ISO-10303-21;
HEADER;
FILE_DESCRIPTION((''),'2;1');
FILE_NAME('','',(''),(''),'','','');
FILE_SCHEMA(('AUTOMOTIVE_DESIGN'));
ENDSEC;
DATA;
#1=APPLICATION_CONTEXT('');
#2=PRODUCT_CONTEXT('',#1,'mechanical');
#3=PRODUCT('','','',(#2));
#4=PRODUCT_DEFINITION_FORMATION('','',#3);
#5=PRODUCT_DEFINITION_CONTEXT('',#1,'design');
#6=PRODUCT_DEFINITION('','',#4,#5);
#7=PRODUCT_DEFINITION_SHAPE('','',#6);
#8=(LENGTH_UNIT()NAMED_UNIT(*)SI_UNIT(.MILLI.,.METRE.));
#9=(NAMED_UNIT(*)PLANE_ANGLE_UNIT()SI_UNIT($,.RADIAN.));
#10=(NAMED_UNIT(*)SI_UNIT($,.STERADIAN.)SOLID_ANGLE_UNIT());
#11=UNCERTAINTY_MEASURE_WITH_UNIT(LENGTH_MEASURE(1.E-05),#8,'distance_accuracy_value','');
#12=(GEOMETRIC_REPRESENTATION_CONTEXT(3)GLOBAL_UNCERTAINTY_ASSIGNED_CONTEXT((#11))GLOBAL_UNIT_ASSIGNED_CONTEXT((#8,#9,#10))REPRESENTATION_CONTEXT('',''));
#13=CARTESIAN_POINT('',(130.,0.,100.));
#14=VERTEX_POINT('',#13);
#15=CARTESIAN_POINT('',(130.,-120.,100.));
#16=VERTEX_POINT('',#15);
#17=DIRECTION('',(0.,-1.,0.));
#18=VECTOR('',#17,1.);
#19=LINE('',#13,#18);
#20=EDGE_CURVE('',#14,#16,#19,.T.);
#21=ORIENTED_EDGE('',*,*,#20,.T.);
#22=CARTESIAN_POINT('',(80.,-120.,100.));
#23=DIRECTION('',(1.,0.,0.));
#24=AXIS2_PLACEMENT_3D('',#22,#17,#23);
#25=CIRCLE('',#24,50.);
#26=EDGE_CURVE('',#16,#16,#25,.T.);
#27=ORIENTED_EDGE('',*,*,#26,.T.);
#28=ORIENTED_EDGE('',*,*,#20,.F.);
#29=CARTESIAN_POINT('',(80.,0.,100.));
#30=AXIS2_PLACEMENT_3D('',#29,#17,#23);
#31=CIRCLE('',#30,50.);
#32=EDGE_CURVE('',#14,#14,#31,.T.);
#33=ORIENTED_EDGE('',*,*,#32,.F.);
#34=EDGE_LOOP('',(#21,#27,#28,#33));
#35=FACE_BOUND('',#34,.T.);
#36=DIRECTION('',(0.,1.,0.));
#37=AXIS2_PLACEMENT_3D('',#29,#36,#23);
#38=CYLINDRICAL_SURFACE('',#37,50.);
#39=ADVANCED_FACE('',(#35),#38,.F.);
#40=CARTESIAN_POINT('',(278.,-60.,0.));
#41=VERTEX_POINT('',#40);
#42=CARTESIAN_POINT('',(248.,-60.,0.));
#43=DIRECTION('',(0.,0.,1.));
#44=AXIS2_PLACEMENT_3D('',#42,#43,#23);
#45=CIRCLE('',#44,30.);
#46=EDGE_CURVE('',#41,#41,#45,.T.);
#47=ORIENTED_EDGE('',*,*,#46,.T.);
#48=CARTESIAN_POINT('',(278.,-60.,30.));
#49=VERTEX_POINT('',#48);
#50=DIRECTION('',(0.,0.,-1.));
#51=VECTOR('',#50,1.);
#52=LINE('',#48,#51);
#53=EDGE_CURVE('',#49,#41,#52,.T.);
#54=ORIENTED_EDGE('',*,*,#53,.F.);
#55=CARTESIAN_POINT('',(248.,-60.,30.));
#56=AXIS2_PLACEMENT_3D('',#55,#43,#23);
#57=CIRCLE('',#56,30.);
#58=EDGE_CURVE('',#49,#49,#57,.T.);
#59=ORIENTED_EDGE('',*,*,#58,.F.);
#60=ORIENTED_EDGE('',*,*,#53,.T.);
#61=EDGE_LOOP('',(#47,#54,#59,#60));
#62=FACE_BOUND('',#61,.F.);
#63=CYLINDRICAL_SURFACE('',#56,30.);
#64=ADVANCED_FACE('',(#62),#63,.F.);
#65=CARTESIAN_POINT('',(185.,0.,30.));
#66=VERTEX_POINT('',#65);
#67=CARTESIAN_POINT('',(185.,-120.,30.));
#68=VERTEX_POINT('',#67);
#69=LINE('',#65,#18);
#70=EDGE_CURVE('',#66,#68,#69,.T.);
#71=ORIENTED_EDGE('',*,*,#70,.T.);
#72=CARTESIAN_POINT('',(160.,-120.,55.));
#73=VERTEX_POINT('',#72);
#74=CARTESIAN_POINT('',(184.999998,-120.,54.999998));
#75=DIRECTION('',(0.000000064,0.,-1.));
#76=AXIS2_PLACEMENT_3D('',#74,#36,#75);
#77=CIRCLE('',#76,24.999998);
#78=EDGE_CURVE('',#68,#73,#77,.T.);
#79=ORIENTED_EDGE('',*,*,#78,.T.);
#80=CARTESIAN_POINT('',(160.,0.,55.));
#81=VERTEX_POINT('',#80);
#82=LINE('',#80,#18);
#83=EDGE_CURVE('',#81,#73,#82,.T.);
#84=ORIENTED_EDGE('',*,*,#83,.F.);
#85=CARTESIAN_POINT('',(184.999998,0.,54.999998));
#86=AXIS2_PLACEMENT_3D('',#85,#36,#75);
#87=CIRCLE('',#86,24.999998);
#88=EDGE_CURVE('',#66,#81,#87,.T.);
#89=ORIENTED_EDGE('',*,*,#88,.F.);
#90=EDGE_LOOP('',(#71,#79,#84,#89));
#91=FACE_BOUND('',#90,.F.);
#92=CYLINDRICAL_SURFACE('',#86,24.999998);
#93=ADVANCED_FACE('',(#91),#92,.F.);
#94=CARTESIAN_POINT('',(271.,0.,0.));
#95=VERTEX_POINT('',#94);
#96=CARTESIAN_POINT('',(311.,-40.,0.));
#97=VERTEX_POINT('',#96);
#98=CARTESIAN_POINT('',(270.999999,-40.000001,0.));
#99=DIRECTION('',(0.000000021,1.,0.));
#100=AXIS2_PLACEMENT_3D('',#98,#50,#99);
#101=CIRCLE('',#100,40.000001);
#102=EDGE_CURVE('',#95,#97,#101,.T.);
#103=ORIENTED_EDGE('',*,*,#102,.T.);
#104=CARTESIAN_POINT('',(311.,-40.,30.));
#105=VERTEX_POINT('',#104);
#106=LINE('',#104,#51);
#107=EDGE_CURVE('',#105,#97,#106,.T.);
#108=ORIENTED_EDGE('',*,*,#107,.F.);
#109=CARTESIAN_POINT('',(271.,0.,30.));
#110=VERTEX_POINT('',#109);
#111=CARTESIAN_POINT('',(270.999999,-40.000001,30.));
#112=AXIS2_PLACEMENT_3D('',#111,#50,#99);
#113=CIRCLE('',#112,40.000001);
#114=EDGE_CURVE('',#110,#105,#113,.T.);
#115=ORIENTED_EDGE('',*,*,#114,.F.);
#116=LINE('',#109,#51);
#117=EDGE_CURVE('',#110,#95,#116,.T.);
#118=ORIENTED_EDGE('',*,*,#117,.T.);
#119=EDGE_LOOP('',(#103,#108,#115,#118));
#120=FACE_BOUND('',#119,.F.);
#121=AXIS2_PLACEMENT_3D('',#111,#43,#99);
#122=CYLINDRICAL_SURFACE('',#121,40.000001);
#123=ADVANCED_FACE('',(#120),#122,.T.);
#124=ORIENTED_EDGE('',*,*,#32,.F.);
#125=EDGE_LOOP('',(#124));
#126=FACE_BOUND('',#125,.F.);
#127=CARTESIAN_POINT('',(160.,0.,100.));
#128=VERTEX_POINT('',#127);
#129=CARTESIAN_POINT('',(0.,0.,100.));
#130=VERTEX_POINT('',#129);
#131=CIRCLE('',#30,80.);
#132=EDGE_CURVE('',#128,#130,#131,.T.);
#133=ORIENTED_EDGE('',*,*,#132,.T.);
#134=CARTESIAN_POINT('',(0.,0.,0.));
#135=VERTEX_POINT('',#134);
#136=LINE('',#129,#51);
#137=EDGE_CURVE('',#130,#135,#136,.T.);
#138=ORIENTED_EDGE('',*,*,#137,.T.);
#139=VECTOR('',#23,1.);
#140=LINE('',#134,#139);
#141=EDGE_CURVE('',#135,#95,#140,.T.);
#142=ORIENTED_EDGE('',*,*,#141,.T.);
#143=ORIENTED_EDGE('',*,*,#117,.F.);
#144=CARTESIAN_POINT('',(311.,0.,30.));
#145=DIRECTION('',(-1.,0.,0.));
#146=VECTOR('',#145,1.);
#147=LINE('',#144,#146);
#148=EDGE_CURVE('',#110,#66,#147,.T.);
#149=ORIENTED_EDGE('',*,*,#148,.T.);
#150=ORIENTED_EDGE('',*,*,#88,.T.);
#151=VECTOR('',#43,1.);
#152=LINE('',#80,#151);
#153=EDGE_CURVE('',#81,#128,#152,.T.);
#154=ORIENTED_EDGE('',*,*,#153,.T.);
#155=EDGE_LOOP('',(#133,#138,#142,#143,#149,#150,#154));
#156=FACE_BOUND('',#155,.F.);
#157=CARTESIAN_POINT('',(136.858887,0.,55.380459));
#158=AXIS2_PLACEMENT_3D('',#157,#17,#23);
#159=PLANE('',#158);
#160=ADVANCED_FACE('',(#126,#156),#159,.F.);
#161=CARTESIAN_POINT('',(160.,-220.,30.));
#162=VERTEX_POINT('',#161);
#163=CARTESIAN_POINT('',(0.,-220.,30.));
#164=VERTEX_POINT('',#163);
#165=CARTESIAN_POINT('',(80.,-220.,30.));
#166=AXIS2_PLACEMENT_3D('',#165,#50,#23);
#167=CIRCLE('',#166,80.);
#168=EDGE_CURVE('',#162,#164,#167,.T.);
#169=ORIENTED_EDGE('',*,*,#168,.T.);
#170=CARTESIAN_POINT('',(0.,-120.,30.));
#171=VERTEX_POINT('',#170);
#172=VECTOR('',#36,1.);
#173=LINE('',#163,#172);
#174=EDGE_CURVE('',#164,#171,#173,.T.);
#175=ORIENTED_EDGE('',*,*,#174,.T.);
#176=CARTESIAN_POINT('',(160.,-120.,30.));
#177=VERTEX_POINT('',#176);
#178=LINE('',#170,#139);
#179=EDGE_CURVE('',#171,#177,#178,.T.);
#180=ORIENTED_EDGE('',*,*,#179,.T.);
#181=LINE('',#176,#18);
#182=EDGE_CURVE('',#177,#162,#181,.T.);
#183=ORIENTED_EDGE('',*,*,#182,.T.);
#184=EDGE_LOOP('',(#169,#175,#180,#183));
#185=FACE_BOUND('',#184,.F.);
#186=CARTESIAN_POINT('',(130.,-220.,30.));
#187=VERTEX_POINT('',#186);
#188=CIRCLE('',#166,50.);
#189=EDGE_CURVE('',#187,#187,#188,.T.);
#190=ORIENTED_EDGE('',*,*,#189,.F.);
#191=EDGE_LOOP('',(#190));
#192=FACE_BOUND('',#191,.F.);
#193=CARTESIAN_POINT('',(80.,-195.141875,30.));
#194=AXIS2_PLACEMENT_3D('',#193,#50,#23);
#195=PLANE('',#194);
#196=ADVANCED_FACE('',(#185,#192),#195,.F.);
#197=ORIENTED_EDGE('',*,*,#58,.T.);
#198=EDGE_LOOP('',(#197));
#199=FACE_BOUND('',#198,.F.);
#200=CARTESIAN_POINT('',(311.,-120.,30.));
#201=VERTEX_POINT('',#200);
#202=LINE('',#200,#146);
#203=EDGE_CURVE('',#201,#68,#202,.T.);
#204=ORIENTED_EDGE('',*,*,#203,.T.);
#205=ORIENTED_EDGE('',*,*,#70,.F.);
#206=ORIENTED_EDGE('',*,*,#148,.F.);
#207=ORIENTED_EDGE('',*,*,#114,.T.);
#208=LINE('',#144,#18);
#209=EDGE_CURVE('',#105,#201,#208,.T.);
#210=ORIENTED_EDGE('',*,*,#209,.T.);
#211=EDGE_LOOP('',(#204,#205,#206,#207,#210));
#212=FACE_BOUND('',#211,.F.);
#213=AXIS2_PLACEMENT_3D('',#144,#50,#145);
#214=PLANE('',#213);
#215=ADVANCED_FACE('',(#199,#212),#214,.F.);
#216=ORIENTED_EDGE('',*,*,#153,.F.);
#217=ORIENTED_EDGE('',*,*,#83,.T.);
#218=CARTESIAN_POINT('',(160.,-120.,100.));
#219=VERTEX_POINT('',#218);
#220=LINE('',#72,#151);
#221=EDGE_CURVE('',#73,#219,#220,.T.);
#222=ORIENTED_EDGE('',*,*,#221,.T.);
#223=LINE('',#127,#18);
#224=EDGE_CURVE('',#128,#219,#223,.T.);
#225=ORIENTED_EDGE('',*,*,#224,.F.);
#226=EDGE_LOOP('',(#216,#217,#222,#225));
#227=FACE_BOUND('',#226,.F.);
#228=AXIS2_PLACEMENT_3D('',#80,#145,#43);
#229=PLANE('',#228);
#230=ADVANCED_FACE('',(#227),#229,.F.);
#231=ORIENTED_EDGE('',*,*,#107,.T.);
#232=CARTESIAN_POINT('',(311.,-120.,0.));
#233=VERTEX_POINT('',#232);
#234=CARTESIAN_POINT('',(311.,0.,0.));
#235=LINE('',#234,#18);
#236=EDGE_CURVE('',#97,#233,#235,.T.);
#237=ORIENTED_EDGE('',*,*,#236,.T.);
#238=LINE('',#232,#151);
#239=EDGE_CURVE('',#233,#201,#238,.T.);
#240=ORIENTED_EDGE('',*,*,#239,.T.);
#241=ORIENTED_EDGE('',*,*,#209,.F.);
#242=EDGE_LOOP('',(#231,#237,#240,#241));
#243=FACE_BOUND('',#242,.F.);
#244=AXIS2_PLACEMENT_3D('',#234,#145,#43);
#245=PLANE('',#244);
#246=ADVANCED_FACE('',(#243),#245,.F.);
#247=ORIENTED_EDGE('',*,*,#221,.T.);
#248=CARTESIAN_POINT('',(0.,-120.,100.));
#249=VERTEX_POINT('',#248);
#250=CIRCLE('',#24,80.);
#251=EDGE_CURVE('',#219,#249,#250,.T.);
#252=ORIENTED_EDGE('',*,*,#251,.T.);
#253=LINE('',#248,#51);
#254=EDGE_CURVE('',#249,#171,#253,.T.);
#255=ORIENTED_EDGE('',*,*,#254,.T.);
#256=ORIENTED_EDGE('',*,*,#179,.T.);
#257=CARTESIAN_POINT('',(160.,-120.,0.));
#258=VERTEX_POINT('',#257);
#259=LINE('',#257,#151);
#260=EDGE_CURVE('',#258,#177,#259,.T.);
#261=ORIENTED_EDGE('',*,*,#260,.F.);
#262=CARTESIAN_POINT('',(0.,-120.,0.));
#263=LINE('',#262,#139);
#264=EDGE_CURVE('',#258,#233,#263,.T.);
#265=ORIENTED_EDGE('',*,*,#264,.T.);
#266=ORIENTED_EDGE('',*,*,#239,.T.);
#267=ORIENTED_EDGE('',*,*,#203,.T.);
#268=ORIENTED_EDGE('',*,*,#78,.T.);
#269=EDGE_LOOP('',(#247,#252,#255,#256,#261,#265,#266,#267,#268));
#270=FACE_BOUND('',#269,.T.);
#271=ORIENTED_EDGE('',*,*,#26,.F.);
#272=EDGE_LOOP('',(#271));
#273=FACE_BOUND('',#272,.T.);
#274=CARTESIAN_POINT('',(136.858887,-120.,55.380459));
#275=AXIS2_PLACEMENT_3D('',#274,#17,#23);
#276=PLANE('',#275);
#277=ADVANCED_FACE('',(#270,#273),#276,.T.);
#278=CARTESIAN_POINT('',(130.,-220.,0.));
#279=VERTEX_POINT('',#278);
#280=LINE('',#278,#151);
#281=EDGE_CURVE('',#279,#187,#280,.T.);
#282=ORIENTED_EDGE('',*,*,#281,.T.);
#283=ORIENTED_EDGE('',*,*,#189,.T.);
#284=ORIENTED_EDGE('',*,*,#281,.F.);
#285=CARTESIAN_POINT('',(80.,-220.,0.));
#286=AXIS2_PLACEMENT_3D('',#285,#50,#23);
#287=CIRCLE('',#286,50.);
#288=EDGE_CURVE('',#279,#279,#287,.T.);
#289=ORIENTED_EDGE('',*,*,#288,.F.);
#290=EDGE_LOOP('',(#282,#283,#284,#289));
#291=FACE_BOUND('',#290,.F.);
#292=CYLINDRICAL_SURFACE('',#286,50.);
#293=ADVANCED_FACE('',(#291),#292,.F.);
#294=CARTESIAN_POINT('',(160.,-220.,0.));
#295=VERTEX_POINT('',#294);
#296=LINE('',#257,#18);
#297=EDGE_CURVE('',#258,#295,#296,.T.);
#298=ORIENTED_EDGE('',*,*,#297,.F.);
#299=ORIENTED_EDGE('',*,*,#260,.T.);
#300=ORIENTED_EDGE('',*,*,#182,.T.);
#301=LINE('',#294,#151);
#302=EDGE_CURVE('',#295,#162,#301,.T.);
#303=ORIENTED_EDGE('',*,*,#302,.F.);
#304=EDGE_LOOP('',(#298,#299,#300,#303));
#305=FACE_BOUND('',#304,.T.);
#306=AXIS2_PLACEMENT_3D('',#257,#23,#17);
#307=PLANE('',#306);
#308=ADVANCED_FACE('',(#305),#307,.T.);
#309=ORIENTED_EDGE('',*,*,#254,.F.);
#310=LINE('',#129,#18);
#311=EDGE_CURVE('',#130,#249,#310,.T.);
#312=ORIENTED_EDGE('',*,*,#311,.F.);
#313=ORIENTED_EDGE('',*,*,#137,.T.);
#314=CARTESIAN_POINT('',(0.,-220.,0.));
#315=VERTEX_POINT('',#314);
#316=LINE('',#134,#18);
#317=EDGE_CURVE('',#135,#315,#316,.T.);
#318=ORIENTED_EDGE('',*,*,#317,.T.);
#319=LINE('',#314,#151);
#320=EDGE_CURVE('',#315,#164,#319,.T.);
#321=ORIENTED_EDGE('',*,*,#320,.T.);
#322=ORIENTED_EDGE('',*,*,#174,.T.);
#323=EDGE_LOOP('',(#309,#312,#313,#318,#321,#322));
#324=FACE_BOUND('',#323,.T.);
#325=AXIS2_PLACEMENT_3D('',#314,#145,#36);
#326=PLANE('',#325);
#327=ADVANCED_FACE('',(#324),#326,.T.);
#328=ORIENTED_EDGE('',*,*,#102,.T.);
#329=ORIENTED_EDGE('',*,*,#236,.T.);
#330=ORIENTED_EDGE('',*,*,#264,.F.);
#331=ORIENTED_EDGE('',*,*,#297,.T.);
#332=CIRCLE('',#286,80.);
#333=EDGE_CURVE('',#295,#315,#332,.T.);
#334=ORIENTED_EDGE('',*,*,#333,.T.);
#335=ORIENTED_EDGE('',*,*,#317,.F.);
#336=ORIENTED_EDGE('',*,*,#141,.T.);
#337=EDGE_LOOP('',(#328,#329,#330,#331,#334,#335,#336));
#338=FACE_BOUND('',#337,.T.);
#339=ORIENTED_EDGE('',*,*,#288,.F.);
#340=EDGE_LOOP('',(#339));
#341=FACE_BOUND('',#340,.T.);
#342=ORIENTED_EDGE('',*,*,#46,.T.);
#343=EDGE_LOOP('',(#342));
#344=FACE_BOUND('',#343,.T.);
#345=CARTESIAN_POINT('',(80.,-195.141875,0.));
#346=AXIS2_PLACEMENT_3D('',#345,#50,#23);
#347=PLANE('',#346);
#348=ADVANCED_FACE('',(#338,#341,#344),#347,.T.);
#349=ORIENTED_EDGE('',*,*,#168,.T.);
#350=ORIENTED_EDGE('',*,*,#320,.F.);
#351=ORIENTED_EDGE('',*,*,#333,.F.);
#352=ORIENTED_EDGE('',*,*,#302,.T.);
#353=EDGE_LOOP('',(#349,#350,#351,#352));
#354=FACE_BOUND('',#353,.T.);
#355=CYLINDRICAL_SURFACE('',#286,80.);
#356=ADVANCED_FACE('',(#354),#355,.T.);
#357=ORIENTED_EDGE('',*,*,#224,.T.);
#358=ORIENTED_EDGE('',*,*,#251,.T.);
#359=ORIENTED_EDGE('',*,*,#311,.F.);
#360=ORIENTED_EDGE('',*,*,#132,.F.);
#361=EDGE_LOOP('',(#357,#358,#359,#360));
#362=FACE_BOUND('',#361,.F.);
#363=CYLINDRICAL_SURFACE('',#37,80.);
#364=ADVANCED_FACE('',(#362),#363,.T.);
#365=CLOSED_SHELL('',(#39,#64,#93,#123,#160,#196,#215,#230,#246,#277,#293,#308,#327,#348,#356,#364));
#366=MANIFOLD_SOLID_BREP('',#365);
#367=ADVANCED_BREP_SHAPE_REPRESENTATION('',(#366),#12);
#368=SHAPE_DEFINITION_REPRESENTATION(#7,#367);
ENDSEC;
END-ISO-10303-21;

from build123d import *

# Parameters (mm, degrees)
F0_R     = 50
F1_DEPTH = 120
F2_R     = 30
F3_DEPTH = 30
F4_R     = 50
F5_DEPTH = 30


with BuildPart() as f1:
    # F0 (on Front) → F1 (new body)
    with BuildSketch(Plane.XZ):
        with BuildLine():
            Line((0, 100), (0, 0))
            Line((0, 0), (311, 0))
            Line((311, 0), (311, 30))
            Line((311, 30), (185, 30))
            ThreePointArc((185, 30), (167.32233, 37.32233), (160, 55))
            Line((160, 55), (160, 100))
            ThreePointArc((160, 100), (80, 180), (0, 100))
        make_face()
        with Locations((80, 100)):
            Circle(F0_R, mode=Mode.SUBTRACT)
    extrude(amount=F1_DEPTH)

    # F2 (on face) → F3 (cut)
    with BuildSketch(Plane.XY.offset(30)):
        with Locations((248, -60)):
            Circle(F2_R)
        with BuildLine():
            Line((311, 0), (271, 0))
            ThreePointArc((271, 0), (299.284271, -11.715729), (311, -40))
            Line((311, -40), (311, 0))
        make_face()
    extrude(amount=-F3_DEPTH, mode=Mode.SUBTRACT)

    # F4 (on face) → F5 (join)
    with BuildSketch(Plane(origin=(0, 0, 0), x_dir=(1, 0, 0), z_dir=(0, 0, -1))):
        with BuildLine():
            Line((0, 220), (0, 120))
            Line((0, 120), (160, 120))
            Line((160, 120), (160, 220))
            ThreePointArc((160, 220), (80, 300), (0, 220))
        make_face()
        with Locations((80, 220)):
            Circle(F4_R, mode=Mode.SUBTRACT)
    extrude(amount=-F5_DEPTH)


solid = f1.part
